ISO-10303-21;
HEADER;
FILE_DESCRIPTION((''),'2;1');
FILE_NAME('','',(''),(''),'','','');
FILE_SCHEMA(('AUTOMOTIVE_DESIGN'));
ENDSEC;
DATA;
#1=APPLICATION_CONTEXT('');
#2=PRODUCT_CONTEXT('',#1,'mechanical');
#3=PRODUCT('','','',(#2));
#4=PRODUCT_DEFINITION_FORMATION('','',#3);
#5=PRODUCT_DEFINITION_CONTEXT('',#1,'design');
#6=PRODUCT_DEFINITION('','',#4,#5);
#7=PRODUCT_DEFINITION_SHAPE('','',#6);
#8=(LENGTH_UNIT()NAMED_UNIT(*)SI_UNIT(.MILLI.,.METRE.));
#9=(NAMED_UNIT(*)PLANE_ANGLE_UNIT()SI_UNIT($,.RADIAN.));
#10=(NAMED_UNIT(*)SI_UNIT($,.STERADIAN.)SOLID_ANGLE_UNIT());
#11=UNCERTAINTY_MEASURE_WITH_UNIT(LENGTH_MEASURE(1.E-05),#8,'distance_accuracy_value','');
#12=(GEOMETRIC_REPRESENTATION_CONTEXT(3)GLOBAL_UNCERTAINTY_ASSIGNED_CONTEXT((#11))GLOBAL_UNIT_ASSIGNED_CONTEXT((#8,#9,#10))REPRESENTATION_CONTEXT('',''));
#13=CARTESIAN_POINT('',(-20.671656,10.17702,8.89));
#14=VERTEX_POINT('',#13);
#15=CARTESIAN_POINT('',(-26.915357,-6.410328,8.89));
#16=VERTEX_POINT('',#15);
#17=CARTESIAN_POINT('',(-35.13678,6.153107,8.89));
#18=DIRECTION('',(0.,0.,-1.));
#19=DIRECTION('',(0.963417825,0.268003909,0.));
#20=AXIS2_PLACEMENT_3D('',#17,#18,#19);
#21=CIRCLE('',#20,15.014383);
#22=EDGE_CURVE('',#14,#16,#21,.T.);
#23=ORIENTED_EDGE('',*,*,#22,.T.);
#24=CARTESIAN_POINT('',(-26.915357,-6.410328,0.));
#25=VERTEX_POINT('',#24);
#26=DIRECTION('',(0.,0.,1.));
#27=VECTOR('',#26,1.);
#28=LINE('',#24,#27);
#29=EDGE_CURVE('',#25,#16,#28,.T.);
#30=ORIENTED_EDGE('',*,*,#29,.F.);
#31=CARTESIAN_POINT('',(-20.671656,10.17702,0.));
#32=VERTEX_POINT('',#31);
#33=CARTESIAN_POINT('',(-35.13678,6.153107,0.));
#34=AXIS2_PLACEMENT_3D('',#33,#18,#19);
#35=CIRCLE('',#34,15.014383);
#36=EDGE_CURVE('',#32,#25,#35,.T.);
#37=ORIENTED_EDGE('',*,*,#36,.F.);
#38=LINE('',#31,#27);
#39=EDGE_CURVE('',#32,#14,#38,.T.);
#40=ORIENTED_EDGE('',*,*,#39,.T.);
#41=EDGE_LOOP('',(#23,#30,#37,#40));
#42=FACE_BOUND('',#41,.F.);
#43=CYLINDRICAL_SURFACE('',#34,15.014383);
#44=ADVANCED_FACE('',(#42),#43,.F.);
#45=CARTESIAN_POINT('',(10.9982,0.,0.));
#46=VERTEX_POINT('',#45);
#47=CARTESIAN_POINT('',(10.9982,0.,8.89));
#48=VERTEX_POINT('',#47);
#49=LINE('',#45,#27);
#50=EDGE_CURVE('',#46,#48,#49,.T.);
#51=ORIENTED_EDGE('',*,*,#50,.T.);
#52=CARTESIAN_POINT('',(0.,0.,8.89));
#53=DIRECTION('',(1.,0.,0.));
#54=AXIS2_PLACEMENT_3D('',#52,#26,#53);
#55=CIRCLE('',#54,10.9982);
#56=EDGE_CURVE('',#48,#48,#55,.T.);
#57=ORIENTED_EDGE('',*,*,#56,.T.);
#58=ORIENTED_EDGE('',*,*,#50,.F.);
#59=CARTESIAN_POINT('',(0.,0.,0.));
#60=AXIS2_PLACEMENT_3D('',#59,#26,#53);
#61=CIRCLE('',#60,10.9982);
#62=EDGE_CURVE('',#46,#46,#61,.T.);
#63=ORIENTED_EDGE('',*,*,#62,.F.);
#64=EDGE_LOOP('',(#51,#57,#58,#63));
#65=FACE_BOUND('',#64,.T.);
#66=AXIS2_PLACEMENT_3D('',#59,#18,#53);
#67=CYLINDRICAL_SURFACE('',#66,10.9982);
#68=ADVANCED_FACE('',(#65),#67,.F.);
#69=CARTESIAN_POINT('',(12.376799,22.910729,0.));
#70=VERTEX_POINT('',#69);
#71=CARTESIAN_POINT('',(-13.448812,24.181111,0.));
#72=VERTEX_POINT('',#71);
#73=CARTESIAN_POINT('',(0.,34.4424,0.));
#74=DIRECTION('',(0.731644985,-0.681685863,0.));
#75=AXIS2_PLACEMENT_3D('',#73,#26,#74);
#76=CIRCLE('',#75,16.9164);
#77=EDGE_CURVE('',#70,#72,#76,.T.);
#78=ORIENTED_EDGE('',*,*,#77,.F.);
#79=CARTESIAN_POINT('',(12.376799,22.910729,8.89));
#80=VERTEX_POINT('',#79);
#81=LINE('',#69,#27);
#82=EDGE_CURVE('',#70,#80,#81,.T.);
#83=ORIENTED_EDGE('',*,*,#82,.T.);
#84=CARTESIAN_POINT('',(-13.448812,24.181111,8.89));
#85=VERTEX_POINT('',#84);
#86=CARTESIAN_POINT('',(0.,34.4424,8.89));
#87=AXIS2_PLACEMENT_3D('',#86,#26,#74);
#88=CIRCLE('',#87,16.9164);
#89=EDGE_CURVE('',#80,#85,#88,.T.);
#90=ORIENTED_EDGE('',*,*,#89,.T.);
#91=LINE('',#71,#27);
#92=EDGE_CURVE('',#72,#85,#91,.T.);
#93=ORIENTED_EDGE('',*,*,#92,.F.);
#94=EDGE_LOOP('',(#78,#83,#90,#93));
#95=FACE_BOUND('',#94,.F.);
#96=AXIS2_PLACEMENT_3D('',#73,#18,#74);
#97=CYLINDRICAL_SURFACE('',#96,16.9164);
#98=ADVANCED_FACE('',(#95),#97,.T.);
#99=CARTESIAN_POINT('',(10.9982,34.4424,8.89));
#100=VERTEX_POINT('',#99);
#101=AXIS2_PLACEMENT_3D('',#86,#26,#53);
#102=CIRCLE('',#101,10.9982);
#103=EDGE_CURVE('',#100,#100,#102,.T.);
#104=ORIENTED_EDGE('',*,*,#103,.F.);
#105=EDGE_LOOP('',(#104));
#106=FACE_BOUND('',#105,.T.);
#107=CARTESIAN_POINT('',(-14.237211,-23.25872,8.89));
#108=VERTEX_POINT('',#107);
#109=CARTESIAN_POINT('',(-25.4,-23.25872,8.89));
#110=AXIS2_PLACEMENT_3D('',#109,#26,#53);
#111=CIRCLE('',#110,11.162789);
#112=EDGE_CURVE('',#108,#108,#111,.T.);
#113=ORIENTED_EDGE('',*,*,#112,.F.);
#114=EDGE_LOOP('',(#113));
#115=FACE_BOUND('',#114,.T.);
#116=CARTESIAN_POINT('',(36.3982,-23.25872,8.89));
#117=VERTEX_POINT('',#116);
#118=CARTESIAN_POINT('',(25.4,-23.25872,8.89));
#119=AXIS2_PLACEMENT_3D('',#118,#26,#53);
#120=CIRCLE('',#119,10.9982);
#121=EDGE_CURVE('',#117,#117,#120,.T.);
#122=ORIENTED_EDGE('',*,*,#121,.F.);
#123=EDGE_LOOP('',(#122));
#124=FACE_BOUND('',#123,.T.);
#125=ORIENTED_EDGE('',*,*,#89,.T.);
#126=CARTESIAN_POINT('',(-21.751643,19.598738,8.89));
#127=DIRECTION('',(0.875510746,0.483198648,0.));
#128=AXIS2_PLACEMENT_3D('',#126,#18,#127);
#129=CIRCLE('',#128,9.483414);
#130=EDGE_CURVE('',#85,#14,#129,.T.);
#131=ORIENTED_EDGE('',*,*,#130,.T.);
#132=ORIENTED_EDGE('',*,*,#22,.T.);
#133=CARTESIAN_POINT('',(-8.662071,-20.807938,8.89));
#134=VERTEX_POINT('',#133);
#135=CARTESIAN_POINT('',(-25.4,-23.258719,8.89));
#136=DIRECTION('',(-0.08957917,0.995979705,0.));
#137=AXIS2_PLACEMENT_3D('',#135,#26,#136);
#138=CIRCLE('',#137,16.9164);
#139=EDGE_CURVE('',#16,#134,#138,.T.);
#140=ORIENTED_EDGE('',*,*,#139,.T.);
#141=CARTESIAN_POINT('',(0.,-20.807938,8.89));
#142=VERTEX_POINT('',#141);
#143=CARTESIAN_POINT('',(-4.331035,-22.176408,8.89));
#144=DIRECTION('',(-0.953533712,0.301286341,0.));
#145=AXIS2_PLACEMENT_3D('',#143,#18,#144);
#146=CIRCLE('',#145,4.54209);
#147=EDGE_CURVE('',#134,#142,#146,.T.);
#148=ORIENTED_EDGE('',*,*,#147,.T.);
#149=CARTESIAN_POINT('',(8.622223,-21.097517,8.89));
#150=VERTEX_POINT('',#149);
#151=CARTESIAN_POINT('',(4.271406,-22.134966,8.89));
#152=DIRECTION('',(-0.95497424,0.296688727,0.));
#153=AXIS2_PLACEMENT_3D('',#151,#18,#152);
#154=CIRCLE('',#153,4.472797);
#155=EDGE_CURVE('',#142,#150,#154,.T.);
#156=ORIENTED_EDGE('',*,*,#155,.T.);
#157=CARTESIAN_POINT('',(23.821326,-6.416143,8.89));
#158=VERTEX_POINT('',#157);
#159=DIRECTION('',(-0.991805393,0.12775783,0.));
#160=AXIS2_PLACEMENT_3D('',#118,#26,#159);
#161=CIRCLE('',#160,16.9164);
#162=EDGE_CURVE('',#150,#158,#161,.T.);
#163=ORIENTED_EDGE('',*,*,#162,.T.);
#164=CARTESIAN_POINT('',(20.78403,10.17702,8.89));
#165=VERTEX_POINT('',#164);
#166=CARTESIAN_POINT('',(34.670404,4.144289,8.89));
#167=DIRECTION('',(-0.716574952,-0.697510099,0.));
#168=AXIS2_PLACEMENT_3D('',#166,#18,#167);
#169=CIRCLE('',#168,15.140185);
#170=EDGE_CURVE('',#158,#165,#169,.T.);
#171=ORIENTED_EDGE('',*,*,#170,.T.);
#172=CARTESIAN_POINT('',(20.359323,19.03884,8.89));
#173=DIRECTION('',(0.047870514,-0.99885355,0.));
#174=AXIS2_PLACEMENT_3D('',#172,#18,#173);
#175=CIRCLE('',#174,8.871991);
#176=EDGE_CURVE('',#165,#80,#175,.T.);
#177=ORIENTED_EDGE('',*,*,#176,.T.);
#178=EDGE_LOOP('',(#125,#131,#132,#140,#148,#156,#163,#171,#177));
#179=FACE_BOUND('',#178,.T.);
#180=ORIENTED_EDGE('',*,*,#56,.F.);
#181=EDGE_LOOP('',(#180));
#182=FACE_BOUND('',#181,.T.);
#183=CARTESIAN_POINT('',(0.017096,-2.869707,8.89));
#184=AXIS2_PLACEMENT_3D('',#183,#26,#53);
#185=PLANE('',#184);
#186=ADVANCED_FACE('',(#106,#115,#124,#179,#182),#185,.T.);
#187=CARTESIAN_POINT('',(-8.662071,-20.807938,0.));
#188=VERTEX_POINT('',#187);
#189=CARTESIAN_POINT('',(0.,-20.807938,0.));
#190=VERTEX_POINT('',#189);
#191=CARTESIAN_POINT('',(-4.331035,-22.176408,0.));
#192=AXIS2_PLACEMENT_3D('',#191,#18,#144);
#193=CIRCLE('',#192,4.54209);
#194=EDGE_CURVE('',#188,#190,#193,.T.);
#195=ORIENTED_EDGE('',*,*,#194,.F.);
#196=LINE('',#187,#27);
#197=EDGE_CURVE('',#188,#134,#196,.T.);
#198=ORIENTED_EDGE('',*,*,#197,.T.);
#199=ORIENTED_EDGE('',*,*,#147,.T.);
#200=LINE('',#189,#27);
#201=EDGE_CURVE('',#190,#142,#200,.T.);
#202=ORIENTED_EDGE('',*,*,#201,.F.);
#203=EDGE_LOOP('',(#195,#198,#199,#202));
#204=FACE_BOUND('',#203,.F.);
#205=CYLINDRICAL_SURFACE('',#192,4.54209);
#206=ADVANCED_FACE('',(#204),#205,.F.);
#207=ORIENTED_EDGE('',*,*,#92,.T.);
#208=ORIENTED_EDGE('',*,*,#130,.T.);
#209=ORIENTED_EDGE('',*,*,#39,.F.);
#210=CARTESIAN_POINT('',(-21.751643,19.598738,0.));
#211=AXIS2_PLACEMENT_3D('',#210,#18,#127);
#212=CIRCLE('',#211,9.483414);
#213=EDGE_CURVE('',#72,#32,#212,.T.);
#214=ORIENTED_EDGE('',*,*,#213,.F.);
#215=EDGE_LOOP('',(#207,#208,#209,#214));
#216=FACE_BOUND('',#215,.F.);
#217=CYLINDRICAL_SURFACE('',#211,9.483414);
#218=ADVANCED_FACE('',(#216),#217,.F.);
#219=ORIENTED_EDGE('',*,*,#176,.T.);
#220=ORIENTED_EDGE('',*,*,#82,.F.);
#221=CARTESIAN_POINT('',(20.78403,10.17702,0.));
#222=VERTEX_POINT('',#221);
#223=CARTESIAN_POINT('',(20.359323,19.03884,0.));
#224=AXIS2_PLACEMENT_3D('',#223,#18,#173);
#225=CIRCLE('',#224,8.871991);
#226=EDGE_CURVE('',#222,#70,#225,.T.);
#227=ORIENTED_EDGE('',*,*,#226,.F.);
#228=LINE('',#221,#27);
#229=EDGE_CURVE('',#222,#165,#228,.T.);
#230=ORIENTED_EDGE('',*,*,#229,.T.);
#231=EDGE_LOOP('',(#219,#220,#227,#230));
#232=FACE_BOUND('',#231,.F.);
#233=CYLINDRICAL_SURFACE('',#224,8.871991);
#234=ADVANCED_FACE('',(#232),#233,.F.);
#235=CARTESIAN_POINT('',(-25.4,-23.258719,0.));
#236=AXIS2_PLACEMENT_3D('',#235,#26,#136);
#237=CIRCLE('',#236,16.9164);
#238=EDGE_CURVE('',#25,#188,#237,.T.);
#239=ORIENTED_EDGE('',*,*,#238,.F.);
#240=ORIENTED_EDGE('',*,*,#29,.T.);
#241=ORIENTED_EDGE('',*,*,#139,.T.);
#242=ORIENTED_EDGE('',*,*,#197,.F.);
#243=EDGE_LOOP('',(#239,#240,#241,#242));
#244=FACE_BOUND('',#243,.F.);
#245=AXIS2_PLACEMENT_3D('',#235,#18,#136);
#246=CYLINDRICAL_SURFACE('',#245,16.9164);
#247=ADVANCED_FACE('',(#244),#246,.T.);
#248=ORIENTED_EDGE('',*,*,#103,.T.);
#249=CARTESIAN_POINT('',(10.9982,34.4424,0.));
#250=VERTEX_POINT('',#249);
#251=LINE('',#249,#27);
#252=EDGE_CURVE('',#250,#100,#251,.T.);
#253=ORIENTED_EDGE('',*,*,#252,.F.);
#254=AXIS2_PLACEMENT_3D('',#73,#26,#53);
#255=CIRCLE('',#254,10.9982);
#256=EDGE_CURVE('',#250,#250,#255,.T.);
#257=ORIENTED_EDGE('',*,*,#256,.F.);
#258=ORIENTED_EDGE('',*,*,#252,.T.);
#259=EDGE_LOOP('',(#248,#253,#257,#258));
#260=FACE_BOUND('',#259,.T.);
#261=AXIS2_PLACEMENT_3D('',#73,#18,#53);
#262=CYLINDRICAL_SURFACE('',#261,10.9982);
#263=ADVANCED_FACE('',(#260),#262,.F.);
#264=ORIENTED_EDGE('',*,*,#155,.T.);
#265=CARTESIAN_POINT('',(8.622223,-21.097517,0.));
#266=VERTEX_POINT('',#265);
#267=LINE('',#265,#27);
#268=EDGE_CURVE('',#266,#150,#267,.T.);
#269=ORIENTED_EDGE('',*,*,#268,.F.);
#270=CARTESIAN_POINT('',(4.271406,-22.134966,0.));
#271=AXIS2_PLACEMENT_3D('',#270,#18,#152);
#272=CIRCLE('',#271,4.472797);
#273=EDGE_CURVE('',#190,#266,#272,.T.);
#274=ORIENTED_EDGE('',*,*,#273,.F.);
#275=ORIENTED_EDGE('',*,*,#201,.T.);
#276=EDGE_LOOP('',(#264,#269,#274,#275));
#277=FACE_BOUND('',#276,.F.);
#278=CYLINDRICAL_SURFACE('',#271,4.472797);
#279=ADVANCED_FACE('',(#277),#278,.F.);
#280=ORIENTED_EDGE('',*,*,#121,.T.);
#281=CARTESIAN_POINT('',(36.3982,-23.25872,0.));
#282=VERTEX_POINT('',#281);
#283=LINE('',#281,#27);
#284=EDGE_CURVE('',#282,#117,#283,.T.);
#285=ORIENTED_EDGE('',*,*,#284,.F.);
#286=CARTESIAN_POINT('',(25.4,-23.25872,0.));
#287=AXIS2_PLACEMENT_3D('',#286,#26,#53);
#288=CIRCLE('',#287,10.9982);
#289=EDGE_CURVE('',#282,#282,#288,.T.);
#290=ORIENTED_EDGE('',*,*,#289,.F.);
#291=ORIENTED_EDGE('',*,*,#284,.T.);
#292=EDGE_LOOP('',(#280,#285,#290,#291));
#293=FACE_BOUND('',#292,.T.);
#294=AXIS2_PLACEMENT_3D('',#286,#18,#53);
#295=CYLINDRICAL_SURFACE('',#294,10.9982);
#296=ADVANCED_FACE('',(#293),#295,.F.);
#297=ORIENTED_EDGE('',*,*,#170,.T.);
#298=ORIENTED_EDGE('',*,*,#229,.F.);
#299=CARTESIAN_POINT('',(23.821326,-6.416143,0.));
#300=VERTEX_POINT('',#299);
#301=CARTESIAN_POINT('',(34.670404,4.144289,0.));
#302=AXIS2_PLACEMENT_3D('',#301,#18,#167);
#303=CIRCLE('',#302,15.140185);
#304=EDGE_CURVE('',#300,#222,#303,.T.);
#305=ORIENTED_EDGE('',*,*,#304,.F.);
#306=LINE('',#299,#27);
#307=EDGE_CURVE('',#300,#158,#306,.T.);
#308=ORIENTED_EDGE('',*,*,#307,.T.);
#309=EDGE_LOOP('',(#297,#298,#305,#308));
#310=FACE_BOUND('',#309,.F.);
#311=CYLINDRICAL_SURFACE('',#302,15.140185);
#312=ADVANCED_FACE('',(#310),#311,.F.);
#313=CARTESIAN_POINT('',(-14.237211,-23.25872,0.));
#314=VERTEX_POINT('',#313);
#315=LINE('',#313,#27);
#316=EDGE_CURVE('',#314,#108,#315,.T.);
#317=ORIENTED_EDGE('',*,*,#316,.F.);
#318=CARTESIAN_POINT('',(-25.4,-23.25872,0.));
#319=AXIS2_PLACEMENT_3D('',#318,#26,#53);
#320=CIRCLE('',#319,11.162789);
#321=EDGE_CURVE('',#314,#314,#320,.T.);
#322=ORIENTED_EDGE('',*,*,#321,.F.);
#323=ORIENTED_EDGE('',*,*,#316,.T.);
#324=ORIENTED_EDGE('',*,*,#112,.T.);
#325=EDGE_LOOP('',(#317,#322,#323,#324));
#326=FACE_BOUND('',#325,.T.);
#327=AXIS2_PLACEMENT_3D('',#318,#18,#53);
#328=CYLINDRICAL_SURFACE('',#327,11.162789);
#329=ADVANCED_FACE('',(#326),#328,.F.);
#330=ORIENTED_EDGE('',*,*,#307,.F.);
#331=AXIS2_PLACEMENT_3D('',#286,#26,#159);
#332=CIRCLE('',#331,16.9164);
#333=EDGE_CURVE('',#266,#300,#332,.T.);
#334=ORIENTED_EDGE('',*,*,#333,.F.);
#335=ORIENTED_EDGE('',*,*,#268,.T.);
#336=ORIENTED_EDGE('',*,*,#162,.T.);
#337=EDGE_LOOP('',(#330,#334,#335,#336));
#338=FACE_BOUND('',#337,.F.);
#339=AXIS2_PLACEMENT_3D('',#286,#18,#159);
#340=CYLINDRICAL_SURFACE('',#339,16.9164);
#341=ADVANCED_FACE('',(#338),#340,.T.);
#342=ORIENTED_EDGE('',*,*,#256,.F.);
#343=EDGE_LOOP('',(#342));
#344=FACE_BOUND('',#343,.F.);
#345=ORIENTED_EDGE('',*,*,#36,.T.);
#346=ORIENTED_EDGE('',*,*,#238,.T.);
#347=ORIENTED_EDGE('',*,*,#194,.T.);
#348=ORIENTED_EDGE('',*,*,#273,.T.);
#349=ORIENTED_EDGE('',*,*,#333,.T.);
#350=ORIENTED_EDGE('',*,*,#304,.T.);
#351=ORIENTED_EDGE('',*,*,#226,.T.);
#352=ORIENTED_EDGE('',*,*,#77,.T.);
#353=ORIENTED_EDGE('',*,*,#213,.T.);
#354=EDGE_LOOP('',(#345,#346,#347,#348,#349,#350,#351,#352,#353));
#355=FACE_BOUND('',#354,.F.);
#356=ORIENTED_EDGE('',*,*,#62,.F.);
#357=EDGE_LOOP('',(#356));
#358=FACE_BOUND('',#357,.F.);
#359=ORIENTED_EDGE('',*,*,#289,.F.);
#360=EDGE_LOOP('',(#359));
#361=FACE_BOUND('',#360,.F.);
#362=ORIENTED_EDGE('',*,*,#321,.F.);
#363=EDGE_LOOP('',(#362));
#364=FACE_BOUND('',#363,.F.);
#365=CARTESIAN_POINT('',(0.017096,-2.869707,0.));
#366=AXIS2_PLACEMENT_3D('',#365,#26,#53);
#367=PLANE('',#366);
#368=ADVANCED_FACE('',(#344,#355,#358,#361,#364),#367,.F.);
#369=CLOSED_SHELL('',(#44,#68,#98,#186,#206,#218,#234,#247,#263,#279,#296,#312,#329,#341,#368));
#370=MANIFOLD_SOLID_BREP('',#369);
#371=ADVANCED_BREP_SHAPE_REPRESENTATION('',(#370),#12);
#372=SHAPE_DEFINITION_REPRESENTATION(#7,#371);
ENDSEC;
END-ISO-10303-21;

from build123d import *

# Parameters (mm, degrees)
F0_R     = 11.162789
F0_R_2   = 10.9982
F1_DEPTH = 8.89


with BuildPart() as f1:
    # F0 (on Top) → F1 (new body)
    with BuildSketch(Plane.XY):
        with BuildLine():
            ThreePointArc((20.78403, 10.17702), (12.955474, 14.150564), (12.376799, 22.910729))
            ThreePointArc((12.376799, 22.910729), (0.831126, 51.33837), (-13.448812, 24.181111))
            ThreePointArc((-13.448812, 24.181111), (-13.323241, 15.251649), (-20.671656, 10.17702))
            ThreePointArc((-20.671656, 10.17702), (-21.084916, 0.863796), (-26.915357, -6.410328))
            ThreePointArc((-26.915357, -6.410328), (-35.876376, -36.540667), (-8.662071, -20.807938))
            ThreePointArc((-8.662071, -20.807938), (-4.331036, -17.634318), (0, -20.807938))
            ThreePointArc((0, -20.807938), (4.421541, -17.66469), (8.622223, -21.097517))
            ThreePointArc((8.622223, -21.097517), (37.152681, -35.425851), (23.821326, -6.416143))
            ThreePointArc((23.821326, -6.416143), (19.777657, 1.418246), (20.78403, 10.17702))
        make_face()
        with Locations((-25.4, -23.25872)):
            Circle(F0_R, mode=Mode.SUBTRACT)
        Circle(F0_R_2, mode=Mode.SUBTRACT)
        with Locations((25.4, -23.25872)):
            Circle(F0_R_2, mode=Mode.SUBTRACT)
        with Locations((0, 34.4424)):
            Circle(F0_R_2, mode=Mode.SUBTRACT)
    extrude(amount=F1_DEPTH)


solid = f1.part
